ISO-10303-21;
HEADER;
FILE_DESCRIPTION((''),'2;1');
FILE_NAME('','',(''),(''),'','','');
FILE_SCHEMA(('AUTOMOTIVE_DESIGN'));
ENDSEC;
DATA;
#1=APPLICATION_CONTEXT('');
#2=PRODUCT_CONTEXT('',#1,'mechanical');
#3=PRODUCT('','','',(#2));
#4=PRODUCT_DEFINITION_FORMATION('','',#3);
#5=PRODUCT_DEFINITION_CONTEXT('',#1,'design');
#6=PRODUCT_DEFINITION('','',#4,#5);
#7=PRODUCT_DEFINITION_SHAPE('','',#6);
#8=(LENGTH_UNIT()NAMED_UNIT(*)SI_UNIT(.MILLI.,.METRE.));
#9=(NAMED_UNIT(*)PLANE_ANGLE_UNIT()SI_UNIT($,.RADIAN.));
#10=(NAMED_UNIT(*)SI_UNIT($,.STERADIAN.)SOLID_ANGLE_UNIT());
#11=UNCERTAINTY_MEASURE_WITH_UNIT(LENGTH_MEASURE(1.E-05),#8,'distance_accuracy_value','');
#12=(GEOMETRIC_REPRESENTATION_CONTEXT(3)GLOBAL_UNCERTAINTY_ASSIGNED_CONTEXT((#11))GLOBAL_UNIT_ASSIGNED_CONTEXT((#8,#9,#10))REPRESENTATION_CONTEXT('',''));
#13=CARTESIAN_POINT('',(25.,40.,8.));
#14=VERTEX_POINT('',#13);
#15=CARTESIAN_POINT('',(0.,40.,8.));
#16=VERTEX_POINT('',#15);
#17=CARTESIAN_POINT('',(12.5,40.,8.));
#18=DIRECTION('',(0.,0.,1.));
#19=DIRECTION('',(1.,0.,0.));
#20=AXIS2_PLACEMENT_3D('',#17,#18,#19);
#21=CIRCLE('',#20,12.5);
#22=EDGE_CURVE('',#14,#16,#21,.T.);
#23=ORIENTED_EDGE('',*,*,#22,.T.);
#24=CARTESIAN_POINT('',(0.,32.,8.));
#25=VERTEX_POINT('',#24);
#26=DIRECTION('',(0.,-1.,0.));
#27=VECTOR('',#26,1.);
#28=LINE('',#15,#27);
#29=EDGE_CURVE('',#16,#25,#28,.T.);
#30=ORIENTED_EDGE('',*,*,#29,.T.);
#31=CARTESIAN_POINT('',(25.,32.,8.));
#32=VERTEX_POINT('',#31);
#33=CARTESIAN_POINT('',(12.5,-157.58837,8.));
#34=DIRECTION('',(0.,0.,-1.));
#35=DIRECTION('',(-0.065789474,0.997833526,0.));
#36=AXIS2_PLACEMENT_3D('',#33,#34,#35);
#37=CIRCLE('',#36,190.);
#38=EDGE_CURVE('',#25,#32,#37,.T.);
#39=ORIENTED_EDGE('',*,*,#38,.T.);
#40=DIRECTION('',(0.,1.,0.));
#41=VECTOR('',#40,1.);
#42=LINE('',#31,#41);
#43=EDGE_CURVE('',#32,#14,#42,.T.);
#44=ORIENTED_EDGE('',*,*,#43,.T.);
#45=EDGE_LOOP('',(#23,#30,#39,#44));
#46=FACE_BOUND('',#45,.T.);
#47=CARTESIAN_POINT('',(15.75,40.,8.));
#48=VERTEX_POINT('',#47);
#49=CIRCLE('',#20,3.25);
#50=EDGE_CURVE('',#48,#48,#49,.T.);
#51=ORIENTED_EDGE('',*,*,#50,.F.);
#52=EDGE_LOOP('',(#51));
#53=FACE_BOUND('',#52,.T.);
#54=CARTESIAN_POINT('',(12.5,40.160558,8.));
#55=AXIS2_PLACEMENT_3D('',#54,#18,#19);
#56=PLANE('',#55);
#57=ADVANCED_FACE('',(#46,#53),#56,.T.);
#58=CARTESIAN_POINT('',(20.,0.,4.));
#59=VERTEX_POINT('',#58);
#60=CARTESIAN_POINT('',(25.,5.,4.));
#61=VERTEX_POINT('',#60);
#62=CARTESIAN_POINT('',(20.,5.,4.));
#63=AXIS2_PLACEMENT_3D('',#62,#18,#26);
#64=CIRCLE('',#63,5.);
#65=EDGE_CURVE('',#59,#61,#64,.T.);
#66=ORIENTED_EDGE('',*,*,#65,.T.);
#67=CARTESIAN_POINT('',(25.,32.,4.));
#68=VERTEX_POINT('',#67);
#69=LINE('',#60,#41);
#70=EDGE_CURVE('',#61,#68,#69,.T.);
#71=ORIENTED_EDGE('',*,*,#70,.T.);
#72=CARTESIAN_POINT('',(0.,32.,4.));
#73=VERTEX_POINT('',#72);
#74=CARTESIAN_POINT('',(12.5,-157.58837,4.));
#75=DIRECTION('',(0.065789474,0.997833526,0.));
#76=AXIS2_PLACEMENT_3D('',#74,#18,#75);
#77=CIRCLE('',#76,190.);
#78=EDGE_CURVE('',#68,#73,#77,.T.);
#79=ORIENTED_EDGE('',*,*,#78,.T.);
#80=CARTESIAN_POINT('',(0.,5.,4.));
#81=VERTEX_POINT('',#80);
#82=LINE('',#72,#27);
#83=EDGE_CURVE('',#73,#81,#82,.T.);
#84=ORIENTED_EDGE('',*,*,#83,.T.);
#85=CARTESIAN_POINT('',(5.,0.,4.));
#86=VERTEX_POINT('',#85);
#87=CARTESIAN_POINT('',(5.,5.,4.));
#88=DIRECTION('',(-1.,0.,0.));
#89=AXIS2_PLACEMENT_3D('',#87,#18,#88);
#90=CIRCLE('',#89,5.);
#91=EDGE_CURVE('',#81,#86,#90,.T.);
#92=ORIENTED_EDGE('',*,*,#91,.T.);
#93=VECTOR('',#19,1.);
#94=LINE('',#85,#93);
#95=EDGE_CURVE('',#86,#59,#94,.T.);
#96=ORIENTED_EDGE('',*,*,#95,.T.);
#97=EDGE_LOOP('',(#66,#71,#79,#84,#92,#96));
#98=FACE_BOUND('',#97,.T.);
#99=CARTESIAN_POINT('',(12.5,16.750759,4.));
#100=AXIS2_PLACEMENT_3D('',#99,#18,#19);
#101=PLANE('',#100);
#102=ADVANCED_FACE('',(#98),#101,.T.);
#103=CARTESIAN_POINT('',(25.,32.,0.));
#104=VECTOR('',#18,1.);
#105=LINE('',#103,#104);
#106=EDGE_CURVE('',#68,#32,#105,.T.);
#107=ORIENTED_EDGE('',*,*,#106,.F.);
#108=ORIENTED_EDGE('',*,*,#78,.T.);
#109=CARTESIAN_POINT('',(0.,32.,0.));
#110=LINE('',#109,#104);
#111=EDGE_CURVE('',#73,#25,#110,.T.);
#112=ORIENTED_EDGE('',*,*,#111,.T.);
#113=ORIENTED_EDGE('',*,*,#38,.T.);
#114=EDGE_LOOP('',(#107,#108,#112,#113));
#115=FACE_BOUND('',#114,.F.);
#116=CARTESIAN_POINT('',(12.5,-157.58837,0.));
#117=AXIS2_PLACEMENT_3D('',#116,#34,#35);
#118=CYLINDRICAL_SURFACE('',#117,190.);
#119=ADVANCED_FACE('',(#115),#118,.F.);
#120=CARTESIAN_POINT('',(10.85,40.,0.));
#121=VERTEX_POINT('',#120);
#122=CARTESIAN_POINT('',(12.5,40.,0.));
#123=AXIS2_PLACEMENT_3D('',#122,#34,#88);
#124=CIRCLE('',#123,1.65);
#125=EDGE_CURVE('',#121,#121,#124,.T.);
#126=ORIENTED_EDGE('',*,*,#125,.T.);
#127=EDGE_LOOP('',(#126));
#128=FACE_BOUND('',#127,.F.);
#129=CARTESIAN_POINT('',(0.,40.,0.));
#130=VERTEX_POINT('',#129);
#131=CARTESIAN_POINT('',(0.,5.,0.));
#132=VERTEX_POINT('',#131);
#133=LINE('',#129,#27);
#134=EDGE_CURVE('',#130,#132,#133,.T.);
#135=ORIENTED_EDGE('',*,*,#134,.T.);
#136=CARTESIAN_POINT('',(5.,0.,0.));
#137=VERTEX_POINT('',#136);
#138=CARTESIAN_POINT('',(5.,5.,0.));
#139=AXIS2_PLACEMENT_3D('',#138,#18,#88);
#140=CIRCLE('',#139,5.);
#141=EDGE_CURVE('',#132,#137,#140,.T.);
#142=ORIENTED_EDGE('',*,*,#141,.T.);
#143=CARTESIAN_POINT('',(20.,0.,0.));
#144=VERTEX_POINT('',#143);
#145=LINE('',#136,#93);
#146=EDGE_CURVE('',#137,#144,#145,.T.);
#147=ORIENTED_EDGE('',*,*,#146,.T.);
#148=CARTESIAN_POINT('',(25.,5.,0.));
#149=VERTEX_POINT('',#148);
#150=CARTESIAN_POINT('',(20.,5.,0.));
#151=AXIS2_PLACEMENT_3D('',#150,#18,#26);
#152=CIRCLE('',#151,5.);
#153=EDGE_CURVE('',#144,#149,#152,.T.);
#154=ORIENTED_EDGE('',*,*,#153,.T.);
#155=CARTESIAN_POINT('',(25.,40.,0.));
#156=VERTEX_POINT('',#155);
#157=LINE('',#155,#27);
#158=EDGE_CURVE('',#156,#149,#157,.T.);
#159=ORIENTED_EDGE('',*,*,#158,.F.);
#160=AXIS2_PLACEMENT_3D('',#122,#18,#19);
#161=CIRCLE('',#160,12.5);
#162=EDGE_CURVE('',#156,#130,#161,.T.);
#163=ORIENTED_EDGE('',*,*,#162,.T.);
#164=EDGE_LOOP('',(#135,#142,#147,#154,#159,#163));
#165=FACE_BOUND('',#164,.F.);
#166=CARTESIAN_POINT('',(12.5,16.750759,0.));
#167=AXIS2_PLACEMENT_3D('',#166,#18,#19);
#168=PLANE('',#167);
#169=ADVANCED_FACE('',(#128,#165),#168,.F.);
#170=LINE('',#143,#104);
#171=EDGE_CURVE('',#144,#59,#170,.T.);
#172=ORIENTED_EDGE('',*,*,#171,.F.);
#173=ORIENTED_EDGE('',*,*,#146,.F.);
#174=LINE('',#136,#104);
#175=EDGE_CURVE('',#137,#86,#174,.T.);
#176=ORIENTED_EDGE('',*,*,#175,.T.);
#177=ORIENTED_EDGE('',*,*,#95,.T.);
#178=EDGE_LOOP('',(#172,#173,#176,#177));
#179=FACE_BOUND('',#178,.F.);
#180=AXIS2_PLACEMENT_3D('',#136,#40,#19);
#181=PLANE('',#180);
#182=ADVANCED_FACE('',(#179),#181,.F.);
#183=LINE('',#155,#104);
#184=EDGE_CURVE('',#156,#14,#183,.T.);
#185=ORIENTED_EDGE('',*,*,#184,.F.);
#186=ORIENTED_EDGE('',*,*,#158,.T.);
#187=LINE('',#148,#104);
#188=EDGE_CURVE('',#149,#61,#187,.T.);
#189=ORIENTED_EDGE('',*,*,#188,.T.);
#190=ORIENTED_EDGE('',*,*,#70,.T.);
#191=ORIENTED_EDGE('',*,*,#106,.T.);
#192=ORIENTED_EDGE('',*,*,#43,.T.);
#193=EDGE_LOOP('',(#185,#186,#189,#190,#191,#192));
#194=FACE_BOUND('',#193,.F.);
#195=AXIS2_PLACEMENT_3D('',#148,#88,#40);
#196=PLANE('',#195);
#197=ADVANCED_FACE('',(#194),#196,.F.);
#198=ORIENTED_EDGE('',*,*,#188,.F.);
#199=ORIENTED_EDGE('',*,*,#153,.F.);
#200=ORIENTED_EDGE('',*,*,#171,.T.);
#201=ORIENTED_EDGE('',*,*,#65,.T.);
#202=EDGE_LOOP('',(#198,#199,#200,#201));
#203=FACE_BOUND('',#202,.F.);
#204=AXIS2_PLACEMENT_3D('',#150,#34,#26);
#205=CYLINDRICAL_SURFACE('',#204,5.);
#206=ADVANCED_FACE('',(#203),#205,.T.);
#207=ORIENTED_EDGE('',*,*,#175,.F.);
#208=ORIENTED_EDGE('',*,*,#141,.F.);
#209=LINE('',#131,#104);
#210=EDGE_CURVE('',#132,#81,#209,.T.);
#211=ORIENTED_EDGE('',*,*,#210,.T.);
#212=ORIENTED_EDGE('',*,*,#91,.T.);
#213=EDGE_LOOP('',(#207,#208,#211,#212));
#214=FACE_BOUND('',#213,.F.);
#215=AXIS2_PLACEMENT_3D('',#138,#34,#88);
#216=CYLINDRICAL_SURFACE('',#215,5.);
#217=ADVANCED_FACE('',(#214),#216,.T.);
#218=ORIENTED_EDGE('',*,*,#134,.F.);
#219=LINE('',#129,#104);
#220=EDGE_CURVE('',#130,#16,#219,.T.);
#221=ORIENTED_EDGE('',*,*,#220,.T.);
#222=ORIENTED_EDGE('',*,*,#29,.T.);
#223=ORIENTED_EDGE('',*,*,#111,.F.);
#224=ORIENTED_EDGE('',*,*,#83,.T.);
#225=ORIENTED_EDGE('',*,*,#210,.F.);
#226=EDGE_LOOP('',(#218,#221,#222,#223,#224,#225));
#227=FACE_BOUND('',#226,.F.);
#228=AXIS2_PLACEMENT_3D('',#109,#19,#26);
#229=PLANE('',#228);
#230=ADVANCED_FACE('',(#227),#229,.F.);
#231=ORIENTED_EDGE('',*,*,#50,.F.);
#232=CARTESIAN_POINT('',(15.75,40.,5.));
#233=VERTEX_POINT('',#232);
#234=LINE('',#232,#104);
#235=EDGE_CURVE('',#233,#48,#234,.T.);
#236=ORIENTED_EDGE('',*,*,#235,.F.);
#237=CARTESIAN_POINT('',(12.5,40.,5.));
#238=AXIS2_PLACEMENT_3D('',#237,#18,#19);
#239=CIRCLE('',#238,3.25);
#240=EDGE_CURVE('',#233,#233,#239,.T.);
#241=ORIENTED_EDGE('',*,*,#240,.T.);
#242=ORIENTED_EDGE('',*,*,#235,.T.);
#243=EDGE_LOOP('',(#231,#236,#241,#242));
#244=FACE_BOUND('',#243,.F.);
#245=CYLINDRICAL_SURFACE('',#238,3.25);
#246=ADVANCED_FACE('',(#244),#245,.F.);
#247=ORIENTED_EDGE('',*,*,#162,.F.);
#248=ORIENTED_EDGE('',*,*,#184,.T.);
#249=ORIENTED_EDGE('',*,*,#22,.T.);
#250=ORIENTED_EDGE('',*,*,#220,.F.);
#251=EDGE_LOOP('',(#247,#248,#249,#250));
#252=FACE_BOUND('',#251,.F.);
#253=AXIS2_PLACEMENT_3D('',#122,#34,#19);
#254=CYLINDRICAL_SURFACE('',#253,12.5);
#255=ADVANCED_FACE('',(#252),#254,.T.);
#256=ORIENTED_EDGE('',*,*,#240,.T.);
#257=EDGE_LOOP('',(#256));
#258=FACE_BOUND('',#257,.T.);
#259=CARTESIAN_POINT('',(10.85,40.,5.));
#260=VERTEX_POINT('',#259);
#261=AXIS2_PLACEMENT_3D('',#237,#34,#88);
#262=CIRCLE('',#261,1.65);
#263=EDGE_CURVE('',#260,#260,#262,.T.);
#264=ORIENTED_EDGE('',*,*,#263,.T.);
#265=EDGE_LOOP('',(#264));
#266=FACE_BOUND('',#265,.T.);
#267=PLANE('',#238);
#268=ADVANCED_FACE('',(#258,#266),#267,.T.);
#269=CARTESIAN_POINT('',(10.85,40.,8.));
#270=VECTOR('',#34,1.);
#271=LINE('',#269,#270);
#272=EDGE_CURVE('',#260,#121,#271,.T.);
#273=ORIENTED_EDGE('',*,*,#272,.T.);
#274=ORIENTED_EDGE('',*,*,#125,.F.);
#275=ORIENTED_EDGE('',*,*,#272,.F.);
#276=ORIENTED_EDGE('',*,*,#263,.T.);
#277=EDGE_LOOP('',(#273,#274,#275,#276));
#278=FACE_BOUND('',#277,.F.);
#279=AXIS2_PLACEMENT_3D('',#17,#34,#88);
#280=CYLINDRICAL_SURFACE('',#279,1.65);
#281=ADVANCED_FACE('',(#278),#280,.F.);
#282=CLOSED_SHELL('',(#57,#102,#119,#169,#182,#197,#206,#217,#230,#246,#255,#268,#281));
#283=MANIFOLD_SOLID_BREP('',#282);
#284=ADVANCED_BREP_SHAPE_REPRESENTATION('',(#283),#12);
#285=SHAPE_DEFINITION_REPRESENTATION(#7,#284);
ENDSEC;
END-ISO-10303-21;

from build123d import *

# Parameters (mm, degrees)
F1_DEPTH       = 8
F2_DEPTH       = 4
F4_D           = 3.3
F4_CBORE_D     = 6.5
F4_CBORE_DEPTH = 3


with BuildPart() as f1:
    # F0 (on Top) → F1 (new body)
    with BuildSketch(Plane.XY):
        with BuildLine():
            Line((0, 40), (0, 32))
            ThreePointArc((0, 32), (12.5, 32.4116301035), (25, 32))
            Line((25, 32), (25, 40))
            ThreePointArc((25, 40), (12.5, 52.5), (0, 40))
        make_face()
    extrude(amount=F1_DEPTH)

    # F0 (on Top) → F2 (join)
    with BuildSketch(Plane.XY):
        with BuildLine():
            Line((0, 32), (0, 5))
            ThreePointArc((0, 5), (1.4644660941, 1.4644660941), (5, 0))
            Line((5, 0), (20, 0))
            ThreePointArc((20, 0), (23.5355339059, 1.4644660941), (25, 5))
            Line((25, 5), (25, 32))
            ThreePointArc((25, 32), (12.5, 32.4116301035), (0, 32))
        make_face()
    extrude(amount=F2_DEPTH)

    # F4 (through all)
    with Locations(Plane.XY.offset(8)):
        with Locations((12.5, 40)):
            CounterBoreHole(F4_D / 2, F4_CBORE_D / 2, F4_CBORE_DEPTH)


solid = f1.part
